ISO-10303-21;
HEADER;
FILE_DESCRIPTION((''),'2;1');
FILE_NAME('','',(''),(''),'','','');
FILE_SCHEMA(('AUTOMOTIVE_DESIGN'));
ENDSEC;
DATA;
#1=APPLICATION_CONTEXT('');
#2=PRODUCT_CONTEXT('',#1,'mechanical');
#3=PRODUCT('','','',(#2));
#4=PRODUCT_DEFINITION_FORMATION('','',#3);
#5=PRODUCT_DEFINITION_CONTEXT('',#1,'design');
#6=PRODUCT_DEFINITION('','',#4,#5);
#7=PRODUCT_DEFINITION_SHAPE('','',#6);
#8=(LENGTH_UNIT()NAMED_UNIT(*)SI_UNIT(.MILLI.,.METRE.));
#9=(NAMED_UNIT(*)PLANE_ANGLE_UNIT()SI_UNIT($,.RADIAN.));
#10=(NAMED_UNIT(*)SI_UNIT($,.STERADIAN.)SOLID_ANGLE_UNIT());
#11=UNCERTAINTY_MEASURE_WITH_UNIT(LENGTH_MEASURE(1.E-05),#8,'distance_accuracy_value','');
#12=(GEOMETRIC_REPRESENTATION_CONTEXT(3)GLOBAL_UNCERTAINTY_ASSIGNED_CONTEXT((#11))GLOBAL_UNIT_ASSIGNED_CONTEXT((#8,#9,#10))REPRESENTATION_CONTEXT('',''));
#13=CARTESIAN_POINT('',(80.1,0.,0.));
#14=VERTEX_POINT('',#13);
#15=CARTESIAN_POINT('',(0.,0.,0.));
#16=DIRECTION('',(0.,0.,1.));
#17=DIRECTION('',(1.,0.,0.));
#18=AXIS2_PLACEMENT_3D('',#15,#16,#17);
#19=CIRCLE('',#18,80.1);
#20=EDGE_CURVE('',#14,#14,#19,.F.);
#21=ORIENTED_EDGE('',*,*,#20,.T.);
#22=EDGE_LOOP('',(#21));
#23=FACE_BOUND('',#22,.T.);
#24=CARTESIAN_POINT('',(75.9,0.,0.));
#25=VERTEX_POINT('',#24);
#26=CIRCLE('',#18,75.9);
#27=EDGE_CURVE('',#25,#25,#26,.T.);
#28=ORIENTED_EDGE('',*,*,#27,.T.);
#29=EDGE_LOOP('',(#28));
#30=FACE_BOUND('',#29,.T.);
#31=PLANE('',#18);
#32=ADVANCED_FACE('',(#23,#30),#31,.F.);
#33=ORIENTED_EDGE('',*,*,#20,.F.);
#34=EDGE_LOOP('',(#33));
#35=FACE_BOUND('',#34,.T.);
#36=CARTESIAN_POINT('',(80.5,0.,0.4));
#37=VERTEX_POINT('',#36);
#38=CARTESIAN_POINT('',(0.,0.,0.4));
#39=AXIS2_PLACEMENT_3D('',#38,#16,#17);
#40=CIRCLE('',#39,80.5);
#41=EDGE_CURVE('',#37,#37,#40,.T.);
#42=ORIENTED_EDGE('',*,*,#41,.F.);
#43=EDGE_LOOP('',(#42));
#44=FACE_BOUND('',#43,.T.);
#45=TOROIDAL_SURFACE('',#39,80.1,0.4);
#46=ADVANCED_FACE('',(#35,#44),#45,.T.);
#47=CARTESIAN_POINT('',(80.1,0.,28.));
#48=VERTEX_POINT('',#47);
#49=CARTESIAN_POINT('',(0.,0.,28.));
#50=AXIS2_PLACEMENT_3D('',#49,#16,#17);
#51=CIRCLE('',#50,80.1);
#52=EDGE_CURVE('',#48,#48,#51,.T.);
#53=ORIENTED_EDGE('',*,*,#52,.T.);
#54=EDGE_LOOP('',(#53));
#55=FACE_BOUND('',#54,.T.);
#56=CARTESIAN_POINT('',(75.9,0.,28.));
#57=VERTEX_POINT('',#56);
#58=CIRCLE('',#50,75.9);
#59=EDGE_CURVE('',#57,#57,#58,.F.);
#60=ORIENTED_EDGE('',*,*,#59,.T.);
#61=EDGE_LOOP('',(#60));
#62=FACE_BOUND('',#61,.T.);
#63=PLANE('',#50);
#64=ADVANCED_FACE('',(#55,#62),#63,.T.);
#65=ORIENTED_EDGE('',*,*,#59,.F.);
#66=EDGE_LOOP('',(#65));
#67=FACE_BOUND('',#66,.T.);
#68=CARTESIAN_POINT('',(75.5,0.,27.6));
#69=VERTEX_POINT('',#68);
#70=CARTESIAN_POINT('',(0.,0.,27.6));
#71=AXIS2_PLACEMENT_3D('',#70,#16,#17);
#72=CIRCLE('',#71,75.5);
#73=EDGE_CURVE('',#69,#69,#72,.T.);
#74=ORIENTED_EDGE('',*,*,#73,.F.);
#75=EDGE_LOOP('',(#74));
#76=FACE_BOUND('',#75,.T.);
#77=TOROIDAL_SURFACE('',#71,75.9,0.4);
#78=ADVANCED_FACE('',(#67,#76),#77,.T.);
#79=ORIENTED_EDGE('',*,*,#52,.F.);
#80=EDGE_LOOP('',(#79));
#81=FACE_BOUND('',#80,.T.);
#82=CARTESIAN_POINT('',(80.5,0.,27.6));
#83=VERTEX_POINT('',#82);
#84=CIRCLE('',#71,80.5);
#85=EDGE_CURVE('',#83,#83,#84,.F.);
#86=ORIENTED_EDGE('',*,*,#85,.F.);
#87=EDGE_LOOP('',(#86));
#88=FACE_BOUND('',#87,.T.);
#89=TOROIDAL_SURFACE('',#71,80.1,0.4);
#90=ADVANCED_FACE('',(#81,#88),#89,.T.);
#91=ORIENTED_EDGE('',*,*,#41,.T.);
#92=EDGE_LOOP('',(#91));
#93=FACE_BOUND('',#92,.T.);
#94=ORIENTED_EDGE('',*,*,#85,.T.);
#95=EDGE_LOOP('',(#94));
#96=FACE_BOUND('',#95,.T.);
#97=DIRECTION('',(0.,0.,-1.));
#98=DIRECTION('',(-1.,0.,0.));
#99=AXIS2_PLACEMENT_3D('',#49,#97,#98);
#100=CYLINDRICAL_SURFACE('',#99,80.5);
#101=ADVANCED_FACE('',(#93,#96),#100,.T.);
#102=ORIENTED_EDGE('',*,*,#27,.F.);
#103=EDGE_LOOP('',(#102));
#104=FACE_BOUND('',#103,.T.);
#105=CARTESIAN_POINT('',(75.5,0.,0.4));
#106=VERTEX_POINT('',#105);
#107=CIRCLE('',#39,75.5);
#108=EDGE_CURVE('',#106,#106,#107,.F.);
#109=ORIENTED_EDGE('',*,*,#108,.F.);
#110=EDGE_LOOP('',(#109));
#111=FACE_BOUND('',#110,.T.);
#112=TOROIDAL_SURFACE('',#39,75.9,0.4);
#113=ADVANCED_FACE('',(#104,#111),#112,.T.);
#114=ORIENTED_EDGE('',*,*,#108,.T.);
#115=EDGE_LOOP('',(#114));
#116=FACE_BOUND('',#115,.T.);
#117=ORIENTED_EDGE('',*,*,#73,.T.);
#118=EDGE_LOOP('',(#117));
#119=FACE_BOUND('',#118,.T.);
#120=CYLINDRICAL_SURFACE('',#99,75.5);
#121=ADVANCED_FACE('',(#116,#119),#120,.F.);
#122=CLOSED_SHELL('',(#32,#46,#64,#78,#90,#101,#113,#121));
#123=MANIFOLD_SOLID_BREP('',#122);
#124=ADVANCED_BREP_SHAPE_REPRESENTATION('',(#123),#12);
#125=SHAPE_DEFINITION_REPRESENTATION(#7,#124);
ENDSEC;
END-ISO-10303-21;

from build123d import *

# Parameters (mm, degrees)
SKETCH2_R           = 80.5
SKETCH2_R_2         = 75.5
BOSS_EXTRUDE1_DEPTH = 28
FILLET1_R           = 0.4


with BuildPart() as part:
    # Sketch2 → Boss-Extrude1 (new body)
    with BuildSketch(Plane.XY):
        Circle(SKETCH2_R)
        Circle(SKETCH2_R_2, mode=Mode.SUBTRACT)
    extrude(amount=BOSS_EXTRUDE1_DEPTH)

    # Fillet1
    fillet1_edges = [part.edges().sort_by_distance(p)[0] for p in [
        (-80.5, 0, 0),
        (-80.5, 0, 28),
        (-75.5, 0, 0),
        (-75.5, 0, 28),
    ]]
    fillet(fillet1_edges, radius=FILLET1_R)


solid = part.part
